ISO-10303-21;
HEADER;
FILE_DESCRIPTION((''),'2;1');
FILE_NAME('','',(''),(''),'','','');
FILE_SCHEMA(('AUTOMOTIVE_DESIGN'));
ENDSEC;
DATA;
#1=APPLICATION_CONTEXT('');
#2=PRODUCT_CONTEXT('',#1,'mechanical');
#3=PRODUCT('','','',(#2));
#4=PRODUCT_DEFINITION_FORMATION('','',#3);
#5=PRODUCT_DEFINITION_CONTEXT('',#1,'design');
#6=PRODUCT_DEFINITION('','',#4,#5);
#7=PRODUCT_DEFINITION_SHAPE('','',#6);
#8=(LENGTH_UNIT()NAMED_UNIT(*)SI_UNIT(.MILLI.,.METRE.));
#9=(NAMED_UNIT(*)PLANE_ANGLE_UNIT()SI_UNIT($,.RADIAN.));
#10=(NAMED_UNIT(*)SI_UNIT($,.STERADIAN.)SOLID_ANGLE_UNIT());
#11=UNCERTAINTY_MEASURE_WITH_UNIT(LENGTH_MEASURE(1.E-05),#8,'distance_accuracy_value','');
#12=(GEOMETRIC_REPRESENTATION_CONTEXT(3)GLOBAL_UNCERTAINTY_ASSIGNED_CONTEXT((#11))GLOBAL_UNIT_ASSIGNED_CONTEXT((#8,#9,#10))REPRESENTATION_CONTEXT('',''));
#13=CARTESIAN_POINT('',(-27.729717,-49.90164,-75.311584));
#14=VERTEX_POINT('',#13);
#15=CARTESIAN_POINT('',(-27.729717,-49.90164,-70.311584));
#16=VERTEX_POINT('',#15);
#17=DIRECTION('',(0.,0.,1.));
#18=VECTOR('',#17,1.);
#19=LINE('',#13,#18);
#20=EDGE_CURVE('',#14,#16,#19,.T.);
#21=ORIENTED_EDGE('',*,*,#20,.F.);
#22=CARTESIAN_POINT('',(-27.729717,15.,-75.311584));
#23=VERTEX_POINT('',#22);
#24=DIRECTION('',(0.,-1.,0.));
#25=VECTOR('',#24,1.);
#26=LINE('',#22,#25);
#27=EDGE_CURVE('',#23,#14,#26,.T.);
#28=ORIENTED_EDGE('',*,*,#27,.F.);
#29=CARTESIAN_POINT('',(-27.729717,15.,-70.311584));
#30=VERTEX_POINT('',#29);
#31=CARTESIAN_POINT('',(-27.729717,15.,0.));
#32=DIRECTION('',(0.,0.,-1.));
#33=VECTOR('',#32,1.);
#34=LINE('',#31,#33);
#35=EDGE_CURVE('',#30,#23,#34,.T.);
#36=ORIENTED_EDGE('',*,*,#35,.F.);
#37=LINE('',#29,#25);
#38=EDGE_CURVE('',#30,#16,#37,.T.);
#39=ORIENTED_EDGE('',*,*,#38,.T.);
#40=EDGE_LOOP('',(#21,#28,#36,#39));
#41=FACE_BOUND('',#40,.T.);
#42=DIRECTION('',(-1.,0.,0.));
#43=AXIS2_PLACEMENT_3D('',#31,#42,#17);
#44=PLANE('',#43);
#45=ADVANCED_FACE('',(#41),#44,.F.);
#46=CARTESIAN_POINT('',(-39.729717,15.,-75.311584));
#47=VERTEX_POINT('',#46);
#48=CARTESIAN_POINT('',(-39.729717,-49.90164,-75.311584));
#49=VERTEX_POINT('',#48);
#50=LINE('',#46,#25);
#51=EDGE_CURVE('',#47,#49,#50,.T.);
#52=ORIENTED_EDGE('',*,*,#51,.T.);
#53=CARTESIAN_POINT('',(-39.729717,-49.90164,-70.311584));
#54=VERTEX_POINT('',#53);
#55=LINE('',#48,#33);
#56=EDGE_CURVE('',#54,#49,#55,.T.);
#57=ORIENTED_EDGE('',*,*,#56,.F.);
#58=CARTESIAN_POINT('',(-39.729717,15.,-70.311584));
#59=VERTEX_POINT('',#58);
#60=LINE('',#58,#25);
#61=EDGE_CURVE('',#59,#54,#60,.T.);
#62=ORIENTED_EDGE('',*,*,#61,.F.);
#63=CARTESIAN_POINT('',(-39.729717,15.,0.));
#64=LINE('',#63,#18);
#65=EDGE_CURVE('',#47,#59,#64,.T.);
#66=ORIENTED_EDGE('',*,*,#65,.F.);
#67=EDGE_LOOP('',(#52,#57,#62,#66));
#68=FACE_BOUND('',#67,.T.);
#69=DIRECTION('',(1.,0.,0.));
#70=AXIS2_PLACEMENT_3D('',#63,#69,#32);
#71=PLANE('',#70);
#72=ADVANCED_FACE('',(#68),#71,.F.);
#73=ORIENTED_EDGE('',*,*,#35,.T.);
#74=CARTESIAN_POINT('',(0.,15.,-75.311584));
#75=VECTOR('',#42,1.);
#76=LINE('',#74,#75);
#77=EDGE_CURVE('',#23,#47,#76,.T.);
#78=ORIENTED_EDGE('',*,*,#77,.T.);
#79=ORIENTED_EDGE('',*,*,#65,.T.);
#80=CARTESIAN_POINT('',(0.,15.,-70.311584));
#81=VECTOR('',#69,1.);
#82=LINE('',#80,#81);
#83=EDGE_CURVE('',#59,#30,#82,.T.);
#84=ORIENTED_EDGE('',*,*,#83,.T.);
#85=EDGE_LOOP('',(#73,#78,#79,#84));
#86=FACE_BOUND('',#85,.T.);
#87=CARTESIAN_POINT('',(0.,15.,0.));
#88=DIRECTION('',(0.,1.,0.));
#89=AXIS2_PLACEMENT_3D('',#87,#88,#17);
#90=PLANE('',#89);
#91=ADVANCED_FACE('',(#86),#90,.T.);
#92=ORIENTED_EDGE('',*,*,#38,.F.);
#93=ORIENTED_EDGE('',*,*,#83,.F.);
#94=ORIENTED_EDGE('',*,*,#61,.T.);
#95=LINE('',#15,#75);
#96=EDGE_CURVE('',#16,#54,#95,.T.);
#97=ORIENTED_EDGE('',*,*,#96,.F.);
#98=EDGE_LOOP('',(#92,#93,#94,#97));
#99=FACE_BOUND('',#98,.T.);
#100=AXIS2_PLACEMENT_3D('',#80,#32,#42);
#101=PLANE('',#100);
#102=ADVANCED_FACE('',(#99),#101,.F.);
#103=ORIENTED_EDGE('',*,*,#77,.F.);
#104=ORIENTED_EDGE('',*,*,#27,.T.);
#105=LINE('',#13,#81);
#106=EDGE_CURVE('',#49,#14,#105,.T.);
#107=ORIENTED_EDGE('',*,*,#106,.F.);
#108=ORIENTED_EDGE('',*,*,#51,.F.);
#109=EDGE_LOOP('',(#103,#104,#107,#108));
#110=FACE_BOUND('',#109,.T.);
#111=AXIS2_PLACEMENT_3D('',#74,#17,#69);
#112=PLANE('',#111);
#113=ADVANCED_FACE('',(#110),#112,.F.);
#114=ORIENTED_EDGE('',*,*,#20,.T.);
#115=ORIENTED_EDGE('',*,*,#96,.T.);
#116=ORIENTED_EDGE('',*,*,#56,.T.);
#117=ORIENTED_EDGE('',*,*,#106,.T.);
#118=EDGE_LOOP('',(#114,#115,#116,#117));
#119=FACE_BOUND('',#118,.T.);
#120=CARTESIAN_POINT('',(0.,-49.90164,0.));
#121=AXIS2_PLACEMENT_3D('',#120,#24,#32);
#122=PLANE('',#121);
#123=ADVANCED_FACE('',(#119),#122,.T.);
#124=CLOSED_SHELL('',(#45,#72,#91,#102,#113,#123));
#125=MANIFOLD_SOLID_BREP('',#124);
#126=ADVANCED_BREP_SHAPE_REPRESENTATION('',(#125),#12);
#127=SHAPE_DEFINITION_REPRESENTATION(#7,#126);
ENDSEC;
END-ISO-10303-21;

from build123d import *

# Parameters (mm, degrees)
SKETCH2_W           = 12
SKETCH2_H           = 5
BOSS_EXTRUDE1_DEPTH = 15
SKETCH3_W           = 12
SKETCH3_H           = 5
BOSS_EXTRUDE2_DEPTH = 57.00164
SKETCH4_W           = 12
SKETCH4_H           = 5
CUT_EXTRUDE1_DEPTH  = 7.1


with BuildPart() as part:
    # Sketch2 → Boss-Extrude1 (new body)
    with BuildSketch(Plane(origin=(0, 0, 0), x_dir=(1, 0, 0), z_dir=(0, 1, 0))):
        with Locations((-33.729716691, 72.811583722)):
            Rectangle(SKETCH2_W, SKETCH2_H)
    extrude(amount=BOSS_EXTRUDE1_DEPTH)

    # Sketch3 → Boss-Extrude2 (add)
    with BuildSketch(Plane.XZ):
        with Locations((-33.729716691, -72.811583722)):
            Rectangle(SKETCH3_W, SKETCH3_H)
    extrude(amount=BOSS_EXTRUDE2_DEPTH)

    # Sketch4 → Cut-Extrude1 (cut)
    with BuildSketch(Plane.XZ.offset(57.001640055)):
        with Locations((-33.729716691, -72.811583722)):
            Rectangle(SKETCH4_W, SKETCH4_H)
    extrude(amount=-CUT_EXTRUDE1_DEPTH, mode=Mode.SUBTRACT)


solid = part.part
